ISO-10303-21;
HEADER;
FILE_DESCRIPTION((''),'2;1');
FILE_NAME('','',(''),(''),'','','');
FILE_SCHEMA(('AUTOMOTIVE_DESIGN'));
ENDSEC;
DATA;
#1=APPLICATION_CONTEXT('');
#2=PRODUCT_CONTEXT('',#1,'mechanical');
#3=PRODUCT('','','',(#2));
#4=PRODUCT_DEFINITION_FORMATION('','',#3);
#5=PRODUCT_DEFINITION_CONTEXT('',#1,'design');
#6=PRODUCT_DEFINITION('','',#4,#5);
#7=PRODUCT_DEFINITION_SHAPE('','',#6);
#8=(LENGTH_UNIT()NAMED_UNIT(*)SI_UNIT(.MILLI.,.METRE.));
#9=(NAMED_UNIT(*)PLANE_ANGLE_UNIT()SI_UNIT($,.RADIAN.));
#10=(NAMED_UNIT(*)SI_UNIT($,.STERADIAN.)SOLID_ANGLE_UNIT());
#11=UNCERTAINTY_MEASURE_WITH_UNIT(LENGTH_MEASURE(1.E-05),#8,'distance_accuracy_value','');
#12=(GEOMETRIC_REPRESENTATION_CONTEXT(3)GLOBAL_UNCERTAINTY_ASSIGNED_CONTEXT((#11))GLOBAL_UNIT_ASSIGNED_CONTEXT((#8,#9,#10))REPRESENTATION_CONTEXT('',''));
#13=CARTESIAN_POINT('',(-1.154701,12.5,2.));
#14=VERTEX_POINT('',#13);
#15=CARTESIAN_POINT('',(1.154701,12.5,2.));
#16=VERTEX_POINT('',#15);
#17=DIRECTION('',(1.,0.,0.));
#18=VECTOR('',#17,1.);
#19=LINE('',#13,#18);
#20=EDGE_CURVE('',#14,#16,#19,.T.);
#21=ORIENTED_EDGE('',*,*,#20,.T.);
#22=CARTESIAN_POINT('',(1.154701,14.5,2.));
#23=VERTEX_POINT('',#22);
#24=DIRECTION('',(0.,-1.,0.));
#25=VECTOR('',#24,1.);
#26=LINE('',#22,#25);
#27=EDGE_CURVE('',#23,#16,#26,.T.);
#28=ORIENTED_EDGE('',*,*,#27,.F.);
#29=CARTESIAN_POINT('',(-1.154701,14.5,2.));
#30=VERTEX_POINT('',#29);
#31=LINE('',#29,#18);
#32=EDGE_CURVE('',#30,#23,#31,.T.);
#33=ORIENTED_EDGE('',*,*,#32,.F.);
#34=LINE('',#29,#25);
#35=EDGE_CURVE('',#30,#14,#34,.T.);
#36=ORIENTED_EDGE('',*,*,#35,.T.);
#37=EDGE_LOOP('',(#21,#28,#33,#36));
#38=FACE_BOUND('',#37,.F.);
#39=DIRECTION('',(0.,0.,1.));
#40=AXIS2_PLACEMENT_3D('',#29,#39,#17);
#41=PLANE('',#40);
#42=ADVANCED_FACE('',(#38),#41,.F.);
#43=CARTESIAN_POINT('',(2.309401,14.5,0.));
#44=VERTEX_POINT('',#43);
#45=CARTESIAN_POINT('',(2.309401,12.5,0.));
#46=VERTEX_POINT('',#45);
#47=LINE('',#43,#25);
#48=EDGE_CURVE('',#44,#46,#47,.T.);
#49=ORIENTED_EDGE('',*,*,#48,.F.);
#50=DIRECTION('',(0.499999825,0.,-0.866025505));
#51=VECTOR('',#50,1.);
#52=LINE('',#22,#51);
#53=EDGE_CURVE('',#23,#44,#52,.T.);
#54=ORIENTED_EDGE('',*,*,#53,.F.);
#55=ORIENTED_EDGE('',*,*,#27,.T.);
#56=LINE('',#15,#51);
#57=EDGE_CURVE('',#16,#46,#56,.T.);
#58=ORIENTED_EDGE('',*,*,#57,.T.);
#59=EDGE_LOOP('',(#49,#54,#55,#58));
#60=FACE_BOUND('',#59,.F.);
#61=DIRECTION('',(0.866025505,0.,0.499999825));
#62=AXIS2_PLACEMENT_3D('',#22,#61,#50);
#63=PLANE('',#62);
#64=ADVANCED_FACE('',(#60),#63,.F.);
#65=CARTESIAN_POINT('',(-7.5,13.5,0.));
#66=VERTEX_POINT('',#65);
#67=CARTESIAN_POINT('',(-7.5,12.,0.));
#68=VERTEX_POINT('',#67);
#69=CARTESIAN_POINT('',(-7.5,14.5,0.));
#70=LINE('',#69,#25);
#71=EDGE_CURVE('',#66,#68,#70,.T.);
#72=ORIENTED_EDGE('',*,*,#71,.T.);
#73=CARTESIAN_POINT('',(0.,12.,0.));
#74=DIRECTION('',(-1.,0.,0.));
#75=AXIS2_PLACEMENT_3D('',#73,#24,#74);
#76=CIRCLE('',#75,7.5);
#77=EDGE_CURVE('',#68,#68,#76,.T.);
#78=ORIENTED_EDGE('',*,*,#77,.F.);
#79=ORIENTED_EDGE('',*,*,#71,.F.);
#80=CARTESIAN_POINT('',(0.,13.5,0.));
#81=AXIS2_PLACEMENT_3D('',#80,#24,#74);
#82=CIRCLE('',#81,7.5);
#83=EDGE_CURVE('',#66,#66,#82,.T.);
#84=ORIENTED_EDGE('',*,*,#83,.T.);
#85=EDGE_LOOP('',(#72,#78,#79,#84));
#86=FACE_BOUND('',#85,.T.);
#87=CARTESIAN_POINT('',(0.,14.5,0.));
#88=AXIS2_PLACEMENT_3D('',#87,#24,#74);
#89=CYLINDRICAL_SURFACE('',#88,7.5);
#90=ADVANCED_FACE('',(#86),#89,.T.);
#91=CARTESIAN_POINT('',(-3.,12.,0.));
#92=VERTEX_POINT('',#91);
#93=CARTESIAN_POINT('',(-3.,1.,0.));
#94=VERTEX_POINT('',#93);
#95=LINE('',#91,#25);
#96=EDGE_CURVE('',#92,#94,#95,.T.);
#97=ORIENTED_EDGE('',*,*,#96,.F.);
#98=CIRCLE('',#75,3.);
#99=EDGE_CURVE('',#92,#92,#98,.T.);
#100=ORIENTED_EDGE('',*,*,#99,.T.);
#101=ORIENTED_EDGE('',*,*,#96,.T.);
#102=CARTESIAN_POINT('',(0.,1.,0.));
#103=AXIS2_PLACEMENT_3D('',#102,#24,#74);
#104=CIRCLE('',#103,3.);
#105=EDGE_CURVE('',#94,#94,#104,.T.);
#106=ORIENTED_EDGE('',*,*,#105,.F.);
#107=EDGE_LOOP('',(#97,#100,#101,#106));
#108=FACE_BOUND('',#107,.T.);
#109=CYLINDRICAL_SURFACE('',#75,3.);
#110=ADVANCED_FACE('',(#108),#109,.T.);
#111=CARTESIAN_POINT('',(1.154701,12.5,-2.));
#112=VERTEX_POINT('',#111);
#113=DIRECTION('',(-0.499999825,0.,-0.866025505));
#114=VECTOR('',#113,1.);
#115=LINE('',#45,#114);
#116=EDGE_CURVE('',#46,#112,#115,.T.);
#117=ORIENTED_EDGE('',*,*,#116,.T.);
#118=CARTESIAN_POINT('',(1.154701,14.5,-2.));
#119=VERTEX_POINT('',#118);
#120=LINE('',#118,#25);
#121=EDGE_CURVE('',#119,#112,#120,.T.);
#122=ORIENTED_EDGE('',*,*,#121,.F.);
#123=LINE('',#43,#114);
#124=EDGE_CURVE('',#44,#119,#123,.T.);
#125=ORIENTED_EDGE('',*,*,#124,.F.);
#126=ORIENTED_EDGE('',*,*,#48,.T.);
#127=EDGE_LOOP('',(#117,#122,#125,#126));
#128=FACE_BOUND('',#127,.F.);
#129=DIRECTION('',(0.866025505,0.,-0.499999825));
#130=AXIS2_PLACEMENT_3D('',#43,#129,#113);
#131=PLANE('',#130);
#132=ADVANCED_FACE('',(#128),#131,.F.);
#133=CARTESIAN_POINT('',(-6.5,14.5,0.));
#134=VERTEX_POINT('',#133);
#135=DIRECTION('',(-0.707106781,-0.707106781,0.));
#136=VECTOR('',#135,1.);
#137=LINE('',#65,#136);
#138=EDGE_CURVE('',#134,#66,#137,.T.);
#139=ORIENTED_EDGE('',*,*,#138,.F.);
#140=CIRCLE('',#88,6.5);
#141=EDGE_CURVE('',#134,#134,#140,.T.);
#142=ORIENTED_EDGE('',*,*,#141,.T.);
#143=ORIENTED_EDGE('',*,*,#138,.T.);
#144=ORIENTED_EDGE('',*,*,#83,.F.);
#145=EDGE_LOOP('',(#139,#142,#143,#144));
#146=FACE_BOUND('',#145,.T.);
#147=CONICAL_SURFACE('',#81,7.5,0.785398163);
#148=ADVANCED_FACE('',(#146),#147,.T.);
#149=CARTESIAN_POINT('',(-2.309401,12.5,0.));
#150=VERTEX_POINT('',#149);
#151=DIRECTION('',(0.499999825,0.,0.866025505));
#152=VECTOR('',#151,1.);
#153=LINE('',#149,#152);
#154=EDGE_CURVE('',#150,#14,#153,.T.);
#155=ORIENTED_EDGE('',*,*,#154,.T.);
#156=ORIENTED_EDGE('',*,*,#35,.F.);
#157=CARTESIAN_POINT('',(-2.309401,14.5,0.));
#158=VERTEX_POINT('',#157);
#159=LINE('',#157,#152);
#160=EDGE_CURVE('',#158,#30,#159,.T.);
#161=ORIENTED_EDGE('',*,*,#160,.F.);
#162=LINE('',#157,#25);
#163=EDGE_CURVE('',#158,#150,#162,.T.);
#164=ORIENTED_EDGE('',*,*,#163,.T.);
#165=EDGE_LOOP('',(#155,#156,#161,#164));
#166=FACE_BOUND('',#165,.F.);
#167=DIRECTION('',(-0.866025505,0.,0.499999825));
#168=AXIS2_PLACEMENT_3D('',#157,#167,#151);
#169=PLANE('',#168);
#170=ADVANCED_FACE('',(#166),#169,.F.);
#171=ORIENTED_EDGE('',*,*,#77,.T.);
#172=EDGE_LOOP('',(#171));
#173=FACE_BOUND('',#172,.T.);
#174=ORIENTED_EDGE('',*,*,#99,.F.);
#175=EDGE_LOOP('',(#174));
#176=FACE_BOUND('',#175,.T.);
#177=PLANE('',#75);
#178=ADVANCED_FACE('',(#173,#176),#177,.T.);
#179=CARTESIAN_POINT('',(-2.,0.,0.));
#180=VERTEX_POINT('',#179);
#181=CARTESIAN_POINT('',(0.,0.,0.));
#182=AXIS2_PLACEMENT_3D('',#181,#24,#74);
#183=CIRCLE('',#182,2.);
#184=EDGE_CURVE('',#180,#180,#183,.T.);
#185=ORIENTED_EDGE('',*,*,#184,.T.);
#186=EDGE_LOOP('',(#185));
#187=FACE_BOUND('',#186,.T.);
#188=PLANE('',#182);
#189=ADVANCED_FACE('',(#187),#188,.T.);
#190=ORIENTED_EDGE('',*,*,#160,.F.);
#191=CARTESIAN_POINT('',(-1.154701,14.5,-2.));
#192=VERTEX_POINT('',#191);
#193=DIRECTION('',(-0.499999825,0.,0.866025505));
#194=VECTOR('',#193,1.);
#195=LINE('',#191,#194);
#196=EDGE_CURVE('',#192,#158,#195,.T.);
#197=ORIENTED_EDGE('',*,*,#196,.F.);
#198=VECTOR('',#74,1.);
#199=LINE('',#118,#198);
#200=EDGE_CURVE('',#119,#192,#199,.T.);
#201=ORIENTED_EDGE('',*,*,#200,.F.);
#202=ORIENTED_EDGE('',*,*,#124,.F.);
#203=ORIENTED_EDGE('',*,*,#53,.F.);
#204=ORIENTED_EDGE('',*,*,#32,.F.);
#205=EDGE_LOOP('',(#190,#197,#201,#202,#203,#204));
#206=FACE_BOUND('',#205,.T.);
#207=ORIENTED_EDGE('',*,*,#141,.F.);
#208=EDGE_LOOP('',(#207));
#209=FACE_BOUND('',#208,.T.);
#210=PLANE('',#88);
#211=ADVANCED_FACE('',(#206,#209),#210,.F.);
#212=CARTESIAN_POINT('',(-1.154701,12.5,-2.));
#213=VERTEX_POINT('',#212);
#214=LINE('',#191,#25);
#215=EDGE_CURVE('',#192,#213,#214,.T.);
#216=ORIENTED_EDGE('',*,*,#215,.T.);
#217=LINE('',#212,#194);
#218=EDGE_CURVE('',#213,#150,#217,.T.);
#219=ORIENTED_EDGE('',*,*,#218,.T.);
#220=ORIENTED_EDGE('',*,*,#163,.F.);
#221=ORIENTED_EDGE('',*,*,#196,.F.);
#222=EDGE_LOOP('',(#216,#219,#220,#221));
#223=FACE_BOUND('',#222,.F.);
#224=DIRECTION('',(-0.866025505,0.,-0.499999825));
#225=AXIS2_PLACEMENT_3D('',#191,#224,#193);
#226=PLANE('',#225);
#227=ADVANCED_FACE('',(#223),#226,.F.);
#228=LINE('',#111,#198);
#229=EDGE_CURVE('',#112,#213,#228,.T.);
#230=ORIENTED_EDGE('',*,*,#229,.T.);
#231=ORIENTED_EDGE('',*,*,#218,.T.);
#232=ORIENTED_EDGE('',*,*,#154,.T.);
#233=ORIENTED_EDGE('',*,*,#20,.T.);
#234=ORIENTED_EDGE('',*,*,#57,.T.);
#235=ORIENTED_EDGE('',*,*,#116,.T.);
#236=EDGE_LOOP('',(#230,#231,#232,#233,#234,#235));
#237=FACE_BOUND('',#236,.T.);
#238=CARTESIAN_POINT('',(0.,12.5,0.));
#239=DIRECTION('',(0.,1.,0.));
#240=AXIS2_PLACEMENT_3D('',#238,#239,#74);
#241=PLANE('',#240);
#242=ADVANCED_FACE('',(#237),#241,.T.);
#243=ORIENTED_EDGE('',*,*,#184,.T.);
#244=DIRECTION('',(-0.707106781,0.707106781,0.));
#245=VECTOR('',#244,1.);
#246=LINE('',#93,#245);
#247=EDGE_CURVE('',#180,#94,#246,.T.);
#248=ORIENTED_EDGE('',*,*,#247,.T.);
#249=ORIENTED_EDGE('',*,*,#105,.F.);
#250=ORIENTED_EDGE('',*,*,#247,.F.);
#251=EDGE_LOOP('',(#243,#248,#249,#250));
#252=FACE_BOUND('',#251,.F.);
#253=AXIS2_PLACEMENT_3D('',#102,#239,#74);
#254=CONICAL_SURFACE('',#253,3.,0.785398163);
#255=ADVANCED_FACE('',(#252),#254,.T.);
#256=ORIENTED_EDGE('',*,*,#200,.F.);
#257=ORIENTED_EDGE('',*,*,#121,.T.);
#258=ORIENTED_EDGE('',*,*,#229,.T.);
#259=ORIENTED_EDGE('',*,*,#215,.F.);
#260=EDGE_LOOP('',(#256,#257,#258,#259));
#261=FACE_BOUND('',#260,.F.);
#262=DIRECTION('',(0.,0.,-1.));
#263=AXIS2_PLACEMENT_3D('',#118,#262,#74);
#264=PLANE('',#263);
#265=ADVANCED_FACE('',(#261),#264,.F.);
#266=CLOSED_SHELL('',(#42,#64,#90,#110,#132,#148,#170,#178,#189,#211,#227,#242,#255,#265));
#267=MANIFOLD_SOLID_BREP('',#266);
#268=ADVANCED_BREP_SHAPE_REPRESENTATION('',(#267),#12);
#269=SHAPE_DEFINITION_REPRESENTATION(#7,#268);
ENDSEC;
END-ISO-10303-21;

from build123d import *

# Parameters (mm, degrees)
F2_SIZE  = 1
F4_DEPTH = 2


with BuildPart() as f1:
    # F0 (on Top) → F1 (revolve)
    with BuildSketch(Plane.XY):
        Polygon((-3, 0), (0, 0), (0, 14.5), (-7.5, 14.5), (-7.5, 12), (-3, 12), align=None)
    revolve(axis=Axis((0, 7.25, 0), (0, -1, 0)))

    # F2
    f2_edges = [f1.edges().sort_by_distance(p)[0] for p in [
        (7.5, 14.5, 0),
        (3, 0, 0),
    ]]
    chamfer(f2_edges, length=F2_SIZE)

    # F3 (on face) → F4 (cut)
    with BuildSketch(Plane(origin=(0, 14.5, 0), x_dir=(-1, 0, 0), z_dir=(0, 1, 0))):
        Polygon((1.154701, 2), (-1.154701, 2), (-2.309401, 0), (-1.154701, -2), (1.154701, -2), (2.309401, 0), align=None)
    extrude(amount=-F4_DEPTH, mode=Mode.SUBTRACT)


solid = f1.part
